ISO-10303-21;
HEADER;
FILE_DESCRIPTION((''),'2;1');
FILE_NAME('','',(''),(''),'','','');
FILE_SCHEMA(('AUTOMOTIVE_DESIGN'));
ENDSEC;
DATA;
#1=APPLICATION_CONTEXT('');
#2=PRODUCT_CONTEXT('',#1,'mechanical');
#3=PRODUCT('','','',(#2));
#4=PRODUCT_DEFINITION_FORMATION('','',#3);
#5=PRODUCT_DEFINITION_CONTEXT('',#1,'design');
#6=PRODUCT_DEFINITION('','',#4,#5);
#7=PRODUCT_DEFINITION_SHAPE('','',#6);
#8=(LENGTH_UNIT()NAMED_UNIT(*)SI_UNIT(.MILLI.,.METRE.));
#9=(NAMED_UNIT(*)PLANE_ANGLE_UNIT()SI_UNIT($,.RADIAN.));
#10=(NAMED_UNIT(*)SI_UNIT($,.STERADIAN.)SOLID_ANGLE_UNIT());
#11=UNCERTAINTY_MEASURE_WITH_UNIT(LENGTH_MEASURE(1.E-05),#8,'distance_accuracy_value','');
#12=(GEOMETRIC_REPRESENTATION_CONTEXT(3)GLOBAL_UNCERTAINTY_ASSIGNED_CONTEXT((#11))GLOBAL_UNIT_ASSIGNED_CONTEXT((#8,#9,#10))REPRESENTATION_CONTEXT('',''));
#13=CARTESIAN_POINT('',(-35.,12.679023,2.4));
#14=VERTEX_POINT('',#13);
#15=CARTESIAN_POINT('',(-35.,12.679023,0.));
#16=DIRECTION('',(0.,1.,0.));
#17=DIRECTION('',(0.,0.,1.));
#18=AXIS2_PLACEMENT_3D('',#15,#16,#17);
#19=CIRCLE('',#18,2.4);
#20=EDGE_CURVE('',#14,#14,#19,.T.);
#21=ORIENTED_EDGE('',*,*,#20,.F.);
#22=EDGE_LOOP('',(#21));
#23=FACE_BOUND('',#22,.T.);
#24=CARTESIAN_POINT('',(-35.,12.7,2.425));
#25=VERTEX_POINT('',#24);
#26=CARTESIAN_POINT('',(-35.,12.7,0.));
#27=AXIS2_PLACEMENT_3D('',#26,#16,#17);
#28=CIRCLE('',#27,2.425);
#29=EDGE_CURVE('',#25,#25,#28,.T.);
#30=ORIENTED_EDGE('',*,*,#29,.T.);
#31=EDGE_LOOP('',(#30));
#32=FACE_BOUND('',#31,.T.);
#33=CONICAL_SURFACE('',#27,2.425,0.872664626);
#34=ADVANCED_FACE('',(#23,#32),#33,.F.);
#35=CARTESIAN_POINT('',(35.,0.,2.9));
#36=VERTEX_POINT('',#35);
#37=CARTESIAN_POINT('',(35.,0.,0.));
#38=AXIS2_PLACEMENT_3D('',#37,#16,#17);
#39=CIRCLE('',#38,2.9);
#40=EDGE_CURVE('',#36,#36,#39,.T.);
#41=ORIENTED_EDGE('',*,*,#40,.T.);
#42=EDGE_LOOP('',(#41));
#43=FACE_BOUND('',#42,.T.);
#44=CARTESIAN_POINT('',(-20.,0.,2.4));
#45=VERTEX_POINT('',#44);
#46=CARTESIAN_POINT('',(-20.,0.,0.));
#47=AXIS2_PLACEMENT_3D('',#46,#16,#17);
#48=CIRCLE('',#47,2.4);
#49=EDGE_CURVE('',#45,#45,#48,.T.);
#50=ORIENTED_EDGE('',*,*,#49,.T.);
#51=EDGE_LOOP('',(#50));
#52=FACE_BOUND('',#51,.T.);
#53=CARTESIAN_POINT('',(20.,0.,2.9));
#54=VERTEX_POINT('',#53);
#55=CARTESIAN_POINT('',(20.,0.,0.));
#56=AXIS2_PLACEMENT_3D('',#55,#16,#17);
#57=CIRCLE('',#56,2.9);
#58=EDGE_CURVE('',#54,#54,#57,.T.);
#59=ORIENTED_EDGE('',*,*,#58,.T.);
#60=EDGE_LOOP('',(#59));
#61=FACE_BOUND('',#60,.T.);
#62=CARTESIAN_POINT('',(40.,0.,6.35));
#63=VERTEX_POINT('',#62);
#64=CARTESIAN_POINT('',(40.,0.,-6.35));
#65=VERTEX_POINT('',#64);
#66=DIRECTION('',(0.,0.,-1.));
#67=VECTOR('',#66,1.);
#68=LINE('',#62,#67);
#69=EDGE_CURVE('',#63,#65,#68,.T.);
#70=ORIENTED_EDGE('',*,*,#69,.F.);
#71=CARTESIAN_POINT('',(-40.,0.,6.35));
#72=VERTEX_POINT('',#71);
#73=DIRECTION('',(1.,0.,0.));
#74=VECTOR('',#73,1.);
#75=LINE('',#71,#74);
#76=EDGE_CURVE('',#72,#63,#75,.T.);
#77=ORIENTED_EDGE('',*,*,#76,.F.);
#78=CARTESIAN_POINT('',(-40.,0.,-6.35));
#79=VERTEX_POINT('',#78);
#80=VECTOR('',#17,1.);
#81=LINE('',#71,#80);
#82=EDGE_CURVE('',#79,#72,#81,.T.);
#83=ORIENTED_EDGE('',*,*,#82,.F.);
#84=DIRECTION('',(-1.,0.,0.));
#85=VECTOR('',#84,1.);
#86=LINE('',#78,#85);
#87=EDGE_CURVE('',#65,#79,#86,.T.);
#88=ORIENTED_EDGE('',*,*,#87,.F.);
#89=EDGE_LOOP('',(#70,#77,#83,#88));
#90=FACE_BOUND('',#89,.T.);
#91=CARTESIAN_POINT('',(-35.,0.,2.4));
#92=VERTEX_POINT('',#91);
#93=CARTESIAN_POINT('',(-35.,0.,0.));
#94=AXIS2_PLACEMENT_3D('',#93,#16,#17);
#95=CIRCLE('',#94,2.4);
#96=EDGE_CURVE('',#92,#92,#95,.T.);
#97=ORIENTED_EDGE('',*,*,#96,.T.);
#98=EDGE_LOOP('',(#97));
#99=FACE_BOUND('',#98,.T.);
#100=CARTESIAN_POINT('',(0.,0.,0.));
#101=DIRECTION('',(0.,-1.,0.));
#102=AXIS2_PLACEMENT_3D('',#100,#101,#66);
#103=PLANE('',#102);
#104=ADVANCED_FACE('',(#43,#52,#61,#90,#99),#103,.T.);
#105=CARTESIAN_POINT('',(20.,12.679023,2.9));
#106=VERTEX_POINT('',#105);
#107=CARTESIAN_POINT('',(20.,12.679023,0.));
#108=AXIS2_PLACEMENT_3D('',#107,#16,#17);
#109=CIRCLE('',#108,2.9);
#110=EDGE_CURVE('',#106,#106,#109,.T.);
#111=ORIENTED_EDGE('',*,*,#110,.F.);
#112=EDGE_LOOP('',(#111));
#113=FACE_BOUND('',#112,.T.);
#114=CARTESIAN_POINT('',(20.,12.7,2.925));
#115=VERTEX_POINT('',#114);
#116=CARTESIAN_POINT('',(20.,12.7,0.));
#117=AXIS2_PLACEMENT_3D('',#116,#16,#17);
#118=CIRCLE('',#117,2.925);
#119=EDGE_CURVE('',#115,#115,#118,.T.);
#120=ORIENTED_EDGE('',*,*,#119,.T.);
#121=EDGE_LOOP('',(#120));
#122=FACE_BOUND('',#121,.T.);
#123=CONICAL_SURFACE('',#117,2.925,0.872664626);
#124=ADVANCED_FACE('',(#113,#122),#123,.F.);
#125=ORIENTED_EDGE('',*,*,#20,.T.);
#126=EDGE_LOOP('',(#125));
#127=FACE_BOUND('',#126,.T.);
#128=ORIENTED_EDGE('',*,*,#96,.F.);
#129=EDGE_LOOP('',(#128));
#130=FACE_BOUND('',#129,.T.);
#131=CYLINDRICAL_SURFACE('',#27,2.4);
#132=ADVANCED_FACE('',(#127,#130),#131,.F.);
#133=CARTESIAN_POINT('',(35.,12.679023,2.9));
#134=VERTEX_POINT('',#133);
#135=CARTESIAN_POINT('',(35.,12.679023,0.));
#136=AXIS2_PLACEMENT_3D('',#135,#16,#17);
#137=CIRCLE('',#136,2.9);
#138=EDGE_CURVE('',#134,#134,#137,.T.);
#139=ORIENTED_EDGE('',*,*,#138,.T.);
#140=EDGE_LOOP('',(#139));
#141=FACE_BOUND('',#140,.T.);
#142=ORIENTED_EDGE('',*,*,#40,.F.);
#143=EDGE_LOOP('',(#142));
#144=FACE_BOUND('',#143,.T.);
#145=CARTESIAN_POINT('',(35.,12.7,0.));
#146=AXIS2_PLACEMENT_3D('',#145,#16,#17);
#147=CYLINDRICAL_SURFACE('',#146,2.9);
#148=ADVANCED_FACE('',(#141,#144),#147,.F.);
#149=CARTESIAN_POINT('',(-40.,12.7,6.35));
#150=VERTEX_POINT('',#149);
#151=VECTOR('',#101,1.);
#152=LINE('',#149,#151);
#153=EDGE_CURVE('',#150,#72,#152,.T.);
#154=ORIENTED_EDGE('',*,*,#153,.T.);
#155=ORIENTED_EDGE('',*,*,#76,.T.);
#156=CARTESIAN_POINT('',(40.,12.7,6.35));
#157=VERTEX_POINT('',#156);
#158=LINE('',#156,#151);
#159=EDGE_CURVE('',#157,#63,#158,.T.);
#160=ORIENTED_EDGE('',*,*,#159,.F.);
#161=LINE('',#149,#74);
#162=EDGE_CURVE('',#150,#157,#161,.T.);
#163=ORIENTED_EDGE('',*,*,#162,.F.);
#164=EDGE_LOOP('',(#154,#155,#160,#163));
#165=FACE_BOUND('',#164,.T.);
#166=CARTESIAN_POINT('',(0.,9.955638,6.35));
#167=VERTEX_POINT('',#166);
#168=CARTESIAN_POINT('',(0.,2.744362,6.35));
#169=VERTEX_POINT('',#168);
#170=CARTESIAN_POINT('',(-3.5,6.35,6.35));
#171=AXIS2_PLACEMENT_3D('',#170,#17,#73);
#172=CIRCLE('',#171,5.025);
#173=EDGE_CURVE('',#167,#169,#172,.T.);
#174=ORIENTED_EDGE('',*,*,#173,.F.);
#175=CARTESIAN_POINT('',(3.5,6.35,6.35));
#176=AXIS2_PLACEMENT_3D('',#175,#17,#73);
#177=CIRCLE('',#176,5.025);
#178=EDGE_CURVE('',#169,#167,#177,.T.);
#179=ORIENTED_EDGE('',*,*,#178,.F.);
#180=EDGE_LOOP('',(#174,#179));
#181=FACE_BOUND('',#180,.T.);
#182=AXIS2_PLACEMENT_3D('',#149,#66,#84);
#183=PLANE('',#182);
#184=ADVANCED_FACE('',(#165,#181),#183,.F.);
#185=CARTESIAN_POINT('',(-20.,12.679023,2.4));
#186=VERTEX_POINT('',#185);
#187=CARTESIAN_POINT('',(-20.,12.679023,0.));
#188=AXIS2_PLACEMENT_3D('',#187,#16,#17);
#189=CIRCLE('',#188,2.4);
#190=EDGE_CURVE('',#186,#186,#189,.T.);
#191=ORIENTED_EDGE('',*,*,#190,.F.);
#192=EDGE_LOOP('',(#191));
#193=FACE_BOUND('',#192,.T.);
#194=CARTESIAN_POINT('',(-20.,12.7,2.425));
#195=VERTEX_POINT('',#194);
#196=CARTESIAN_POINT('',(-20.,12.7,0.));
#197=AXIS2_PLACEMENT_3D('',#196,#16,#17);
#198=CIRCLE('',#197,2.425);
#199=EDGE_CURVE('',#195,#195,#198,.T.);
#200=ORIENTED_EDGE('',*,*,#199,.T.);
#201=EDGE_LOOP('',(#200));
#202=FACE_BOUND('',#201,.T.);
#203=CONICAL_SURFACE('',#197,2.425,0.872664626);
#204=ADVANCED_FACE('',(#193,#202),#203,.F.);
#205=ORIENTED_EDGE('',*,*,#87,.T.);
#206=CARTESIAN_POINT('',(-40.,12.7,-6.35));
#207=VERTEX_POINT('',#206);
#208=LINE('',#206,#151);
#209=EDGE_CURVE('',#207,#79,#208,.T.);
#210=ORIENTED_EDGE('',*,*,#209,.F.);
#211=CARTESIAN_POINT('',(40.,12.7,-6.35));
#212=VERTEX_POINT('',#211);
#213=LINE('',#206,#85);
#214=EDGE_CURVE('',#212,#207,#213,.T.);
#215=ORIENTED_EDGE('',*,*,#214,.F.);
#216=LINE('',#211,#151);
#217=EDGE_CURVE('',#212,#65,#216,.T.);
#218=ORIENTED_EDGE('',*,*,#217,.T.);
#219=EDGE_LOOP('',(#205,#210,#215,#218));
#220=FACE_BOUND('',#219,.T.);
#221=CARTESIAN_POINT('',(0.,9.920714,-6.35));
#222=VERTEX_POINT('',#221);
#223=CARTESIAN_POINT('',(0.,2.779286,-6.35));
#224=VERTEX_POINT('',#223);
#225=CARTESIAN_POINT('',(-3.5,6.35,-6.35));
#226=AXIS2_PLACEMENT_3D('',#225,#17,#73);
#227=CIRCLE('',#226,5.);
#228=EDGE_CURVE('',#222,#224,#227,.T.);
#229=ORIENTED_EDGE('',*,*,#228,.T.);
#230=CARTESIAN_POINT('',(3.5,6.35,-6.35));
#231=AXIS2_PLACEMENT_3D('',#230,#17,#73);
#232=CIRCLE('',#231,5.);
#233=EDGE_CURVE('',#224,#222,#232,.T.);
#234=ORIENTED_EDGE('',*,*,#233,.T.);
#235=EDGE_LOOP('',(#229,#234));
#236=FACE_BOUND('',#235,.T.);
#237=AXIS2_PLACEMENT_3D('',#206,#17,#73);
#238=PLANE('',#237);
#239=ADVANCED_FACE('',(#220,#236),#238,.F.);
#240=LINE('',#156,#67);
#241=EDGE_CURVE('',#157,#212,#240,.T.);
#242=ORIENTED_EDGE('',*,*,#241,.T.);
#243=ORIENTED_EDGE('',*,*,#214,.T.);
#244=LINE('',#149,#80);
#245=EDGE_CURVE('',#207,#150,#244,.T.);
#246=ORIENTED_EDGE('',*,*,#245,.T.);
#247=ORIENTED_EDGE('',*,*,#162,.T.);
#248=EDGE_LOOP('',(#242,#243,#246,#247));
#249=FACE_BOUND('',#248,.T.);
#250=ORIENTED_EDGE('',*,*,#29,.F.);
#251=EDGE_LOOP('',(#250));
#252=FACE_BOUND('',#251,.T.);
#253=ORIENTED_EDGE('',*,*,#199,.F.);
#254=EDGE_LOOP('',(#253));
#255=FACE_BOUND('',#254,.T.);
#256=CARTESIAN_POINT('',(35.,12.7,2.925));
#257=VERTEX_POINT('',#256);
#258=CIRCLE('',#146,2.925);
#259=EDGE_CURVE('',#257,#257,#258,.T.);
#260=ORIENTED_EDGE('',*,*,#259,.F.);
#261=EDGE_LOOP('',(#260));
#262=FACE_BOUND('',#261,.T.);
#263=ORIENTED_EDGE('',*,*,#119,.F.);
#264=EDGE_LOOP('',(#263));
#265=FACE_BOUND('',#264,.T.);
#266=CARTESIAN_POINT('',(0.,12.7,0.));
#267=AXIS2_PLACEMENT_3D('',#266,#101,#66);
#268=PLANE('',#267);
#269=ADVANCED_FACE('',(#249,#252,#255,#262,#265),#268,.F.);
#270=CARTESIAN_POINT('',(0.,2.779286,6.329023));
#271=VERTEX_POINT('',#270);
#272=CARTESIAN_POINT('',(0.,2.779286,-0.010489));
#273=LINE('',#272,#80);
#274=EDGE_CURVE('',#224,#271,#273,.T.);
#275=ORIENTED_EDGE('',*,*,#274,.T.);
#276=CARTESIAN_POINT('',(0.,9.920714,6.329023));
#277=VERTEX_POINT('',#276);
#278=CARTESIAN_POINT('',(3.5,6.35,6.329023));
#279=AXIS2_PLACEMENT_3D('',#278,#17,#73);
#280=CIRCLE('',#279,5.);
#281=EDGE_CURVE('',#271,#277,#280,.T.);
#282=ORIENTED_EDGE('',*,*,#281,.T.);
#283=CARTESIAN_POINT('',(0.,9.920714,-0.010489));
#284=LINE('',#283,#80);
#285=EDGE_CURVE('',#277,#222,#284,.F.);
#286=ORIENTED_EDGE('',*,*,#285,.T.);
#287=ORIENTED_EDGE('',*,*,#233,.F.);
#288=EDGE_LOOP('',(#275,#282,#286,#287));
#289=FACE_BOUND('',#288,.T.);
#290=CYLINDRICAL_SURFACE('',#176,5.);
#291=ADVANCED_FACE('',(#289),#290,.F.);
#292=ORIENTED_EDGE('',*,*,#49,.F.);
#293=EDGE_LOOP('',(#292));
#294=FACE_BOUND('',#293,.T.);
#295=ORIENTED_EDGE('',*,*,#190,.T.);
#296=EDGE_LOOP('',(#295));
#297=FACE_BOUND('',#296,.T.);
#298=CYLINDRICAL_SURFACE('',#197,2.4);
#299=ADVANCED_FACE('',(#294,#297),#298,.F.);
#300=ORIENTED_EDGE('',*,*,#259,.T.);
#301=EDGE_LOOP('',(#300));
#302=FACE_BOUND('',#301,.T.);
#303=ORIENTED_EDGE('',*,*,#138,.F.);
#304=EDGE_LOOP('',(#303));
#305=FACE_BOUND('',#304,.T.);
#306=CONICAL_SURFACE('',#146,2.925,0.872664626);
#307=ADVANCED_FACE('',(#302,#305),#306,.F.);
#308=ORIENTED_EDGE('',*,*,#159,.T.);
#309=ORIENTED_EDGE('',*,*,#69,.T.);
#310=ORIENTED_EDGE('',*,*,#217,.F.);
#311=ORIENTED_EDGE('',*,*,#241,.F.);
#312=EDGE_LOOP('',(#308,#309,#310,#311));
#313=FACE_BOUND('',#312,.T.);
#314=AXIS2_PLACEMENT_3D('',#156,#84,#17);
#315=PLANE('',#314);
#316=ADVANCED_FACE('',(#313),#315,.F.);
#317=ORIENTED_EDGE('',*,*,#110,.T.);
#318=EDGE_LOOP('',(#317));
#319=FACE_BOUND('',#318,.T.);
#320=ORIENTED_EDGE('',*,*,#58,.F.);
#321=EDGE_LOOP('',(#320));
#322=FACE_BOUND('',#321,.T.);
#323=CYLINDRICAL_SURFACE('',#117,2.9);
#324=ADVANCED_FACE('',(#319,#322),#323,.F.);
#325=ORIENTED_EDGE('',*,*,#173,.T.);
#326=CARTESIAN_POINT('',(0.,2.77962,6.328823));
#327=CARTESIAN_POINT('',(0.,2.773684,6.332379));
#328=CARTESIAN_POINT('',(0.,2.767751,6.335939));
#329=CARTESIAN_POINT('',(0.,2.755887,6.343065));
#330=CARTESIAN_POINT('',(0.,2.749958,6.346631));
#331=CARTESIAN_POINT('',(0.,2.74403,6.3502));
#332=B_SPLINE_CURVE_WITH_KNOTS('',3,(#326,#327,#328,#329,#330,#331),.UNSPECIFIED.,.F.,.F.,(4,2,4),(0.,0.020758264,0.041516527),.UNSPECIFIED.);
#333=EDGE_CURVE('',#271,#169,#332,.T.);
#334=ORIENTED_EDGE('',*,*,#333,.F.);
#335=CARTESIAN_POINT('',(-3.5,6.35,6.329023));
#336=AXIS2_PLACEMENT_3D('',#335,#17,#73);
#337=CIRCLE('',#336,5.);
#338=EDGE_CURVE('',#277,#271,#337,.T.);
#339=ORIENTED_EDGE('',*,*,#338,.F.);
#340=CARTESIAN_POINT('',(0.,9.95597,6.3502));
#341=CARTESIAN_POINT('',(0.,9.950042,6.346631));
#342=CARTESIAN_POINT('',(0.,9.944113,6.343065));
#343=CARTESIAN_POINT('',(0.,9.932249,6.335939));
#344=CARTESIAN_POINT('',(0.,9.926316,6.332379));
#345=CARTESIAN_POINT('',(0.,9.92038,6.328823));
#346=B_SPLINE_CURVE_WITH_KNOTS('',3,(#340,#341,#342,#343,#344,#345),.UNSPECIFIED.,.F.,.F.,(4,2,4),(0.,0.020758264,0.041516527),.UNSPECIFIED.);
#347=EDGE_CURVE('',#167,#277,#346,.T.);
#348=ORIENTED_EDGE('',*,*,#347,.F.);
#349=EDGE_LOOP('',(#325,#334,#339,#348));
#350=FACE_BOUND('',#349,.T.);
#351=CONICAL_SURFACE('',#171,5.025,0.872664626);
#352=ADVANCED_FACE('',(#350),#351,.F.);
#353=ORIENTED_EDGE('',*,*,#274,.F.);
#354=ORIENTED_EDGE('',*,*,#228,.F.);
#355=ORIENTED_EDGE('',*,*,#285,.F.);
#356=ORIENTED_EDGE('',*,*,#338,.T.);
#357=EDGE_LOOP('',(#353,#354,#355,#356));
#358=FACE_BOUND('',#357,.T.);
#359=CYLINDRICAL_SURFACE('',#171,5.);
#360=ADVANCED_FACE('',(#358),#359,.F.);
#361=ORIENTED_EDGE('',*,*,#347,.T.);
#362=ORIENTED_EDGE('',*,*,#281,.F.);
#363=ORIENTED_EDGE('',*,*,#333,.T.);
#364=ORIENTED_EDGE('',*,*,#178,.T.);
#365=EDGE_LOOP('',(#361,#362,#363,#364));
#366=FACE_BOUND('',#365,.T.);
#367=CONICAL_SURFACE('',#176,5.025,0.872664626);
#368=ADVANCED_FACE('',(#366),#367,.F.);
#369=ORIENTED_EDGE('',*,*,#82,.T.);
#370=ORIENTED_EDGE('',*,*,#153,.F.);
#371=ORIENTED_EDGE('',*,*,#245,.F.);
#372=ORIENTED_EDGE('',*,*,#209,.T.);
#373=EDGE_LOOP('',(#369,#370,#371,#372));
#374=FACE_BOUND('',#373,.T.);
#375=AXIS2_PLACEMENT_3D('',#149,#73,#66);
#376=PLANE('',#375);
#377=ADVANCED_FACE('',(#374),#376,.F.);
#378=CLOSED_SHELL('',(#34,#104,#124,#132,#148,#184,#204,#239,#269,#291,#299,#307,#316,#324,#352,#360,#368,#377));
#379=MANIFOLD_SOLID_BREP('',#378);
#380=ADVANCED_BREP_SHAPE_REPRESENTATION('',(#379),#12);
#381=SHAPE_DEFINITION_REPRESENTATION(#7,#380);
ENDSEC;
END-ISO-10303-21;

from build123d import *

# Parameters (mm, degrees)
SKETCH1_W                      = 80
SKETCH1_H                      = 12.7
BOSS_EXTRUDE1_DEPTH            = 12.7
M4_CLEARANCE_HOLE1_D           = 4.8
M4_CLEARANCE_HOLE1_CSINK_D     = 4.85
M4_CLEARANCE_HOLE1_CSINK_ANGLE = 100
M8_CLEARANCE_HOLE1_D           = 10
M8_CLEARANCE_HOLE1_CSINK_D     = 10.05
M8_CLEARANCE_HOLE1_CSINK_ANGLE = 100
M5_CLEARANCE_HOLE1_D           = 5.8
M5_CLEARANCE_HOLE1_CSINK_D     = 5.85
M5_CLEARANCE_HOLE1_CSINK_ANGLE = 100


with BuildPart() as part:
    # Sketch1 → Boss-Extrude1 (new body)
    with BuildSketch(Plane(origin=(0, 0, 0), x_dir=(1, 0, 0), z_dir=(0, 1, 0))):
        Rectangle(SKETCH1_W, SKETCH1_H)
    extrude(amount=BOSS_EXTRUDE1_DEPTH)

    # M4 Clearance Hole1 (through all)
    with Locations(Plane(origin=(0, 12.7, 0), x_dir=(1, 0, 0), z_dir=(0, 1, 0))):
        with Locations((-35, 0), (-20, 0)):
            CounterSinkHole(M4_CLEARANCE_HOLE1_D / 2, M4_CLEARANCE_HOLE1_CSINK_D / 2, counter_sink_angle=M4_CLEARANCE_HOLE1_CSINK_ANGLE)

    # M8 Clearance Hole1 (through all)
    with Locations(Plane.XY.offset(6.35)):
        with Locations((-3.5, 6.35), (3.5, 6.35)):
            CounterSinkHole(M8_CLEARANCE_HOLE1_D / 2, M8_CLEARANCE_HOLE1_CSINK_D / 2, counter_sink_angle=M8_CLEARANCE_HOLE1_CSINK_ANGLE)

    # M5 Clearance Hole1 (through all)
    with Locations(Plane(origin=(0, 12.7, 0), x_dir=(1, 0, 0), z_dir=(0, 1, 0))):
        with Locations((35, 0), (20, 0)):
            CounterSinkHole(M5_CLEARANCE_HOLE1_D / 2, M5_CLEARANCE_HOLE1_CSINK_D / 2, counter_sink_angle=M5_CLEARANCE_HOLE1_CSINK_ANGLE)


solid = part.part
